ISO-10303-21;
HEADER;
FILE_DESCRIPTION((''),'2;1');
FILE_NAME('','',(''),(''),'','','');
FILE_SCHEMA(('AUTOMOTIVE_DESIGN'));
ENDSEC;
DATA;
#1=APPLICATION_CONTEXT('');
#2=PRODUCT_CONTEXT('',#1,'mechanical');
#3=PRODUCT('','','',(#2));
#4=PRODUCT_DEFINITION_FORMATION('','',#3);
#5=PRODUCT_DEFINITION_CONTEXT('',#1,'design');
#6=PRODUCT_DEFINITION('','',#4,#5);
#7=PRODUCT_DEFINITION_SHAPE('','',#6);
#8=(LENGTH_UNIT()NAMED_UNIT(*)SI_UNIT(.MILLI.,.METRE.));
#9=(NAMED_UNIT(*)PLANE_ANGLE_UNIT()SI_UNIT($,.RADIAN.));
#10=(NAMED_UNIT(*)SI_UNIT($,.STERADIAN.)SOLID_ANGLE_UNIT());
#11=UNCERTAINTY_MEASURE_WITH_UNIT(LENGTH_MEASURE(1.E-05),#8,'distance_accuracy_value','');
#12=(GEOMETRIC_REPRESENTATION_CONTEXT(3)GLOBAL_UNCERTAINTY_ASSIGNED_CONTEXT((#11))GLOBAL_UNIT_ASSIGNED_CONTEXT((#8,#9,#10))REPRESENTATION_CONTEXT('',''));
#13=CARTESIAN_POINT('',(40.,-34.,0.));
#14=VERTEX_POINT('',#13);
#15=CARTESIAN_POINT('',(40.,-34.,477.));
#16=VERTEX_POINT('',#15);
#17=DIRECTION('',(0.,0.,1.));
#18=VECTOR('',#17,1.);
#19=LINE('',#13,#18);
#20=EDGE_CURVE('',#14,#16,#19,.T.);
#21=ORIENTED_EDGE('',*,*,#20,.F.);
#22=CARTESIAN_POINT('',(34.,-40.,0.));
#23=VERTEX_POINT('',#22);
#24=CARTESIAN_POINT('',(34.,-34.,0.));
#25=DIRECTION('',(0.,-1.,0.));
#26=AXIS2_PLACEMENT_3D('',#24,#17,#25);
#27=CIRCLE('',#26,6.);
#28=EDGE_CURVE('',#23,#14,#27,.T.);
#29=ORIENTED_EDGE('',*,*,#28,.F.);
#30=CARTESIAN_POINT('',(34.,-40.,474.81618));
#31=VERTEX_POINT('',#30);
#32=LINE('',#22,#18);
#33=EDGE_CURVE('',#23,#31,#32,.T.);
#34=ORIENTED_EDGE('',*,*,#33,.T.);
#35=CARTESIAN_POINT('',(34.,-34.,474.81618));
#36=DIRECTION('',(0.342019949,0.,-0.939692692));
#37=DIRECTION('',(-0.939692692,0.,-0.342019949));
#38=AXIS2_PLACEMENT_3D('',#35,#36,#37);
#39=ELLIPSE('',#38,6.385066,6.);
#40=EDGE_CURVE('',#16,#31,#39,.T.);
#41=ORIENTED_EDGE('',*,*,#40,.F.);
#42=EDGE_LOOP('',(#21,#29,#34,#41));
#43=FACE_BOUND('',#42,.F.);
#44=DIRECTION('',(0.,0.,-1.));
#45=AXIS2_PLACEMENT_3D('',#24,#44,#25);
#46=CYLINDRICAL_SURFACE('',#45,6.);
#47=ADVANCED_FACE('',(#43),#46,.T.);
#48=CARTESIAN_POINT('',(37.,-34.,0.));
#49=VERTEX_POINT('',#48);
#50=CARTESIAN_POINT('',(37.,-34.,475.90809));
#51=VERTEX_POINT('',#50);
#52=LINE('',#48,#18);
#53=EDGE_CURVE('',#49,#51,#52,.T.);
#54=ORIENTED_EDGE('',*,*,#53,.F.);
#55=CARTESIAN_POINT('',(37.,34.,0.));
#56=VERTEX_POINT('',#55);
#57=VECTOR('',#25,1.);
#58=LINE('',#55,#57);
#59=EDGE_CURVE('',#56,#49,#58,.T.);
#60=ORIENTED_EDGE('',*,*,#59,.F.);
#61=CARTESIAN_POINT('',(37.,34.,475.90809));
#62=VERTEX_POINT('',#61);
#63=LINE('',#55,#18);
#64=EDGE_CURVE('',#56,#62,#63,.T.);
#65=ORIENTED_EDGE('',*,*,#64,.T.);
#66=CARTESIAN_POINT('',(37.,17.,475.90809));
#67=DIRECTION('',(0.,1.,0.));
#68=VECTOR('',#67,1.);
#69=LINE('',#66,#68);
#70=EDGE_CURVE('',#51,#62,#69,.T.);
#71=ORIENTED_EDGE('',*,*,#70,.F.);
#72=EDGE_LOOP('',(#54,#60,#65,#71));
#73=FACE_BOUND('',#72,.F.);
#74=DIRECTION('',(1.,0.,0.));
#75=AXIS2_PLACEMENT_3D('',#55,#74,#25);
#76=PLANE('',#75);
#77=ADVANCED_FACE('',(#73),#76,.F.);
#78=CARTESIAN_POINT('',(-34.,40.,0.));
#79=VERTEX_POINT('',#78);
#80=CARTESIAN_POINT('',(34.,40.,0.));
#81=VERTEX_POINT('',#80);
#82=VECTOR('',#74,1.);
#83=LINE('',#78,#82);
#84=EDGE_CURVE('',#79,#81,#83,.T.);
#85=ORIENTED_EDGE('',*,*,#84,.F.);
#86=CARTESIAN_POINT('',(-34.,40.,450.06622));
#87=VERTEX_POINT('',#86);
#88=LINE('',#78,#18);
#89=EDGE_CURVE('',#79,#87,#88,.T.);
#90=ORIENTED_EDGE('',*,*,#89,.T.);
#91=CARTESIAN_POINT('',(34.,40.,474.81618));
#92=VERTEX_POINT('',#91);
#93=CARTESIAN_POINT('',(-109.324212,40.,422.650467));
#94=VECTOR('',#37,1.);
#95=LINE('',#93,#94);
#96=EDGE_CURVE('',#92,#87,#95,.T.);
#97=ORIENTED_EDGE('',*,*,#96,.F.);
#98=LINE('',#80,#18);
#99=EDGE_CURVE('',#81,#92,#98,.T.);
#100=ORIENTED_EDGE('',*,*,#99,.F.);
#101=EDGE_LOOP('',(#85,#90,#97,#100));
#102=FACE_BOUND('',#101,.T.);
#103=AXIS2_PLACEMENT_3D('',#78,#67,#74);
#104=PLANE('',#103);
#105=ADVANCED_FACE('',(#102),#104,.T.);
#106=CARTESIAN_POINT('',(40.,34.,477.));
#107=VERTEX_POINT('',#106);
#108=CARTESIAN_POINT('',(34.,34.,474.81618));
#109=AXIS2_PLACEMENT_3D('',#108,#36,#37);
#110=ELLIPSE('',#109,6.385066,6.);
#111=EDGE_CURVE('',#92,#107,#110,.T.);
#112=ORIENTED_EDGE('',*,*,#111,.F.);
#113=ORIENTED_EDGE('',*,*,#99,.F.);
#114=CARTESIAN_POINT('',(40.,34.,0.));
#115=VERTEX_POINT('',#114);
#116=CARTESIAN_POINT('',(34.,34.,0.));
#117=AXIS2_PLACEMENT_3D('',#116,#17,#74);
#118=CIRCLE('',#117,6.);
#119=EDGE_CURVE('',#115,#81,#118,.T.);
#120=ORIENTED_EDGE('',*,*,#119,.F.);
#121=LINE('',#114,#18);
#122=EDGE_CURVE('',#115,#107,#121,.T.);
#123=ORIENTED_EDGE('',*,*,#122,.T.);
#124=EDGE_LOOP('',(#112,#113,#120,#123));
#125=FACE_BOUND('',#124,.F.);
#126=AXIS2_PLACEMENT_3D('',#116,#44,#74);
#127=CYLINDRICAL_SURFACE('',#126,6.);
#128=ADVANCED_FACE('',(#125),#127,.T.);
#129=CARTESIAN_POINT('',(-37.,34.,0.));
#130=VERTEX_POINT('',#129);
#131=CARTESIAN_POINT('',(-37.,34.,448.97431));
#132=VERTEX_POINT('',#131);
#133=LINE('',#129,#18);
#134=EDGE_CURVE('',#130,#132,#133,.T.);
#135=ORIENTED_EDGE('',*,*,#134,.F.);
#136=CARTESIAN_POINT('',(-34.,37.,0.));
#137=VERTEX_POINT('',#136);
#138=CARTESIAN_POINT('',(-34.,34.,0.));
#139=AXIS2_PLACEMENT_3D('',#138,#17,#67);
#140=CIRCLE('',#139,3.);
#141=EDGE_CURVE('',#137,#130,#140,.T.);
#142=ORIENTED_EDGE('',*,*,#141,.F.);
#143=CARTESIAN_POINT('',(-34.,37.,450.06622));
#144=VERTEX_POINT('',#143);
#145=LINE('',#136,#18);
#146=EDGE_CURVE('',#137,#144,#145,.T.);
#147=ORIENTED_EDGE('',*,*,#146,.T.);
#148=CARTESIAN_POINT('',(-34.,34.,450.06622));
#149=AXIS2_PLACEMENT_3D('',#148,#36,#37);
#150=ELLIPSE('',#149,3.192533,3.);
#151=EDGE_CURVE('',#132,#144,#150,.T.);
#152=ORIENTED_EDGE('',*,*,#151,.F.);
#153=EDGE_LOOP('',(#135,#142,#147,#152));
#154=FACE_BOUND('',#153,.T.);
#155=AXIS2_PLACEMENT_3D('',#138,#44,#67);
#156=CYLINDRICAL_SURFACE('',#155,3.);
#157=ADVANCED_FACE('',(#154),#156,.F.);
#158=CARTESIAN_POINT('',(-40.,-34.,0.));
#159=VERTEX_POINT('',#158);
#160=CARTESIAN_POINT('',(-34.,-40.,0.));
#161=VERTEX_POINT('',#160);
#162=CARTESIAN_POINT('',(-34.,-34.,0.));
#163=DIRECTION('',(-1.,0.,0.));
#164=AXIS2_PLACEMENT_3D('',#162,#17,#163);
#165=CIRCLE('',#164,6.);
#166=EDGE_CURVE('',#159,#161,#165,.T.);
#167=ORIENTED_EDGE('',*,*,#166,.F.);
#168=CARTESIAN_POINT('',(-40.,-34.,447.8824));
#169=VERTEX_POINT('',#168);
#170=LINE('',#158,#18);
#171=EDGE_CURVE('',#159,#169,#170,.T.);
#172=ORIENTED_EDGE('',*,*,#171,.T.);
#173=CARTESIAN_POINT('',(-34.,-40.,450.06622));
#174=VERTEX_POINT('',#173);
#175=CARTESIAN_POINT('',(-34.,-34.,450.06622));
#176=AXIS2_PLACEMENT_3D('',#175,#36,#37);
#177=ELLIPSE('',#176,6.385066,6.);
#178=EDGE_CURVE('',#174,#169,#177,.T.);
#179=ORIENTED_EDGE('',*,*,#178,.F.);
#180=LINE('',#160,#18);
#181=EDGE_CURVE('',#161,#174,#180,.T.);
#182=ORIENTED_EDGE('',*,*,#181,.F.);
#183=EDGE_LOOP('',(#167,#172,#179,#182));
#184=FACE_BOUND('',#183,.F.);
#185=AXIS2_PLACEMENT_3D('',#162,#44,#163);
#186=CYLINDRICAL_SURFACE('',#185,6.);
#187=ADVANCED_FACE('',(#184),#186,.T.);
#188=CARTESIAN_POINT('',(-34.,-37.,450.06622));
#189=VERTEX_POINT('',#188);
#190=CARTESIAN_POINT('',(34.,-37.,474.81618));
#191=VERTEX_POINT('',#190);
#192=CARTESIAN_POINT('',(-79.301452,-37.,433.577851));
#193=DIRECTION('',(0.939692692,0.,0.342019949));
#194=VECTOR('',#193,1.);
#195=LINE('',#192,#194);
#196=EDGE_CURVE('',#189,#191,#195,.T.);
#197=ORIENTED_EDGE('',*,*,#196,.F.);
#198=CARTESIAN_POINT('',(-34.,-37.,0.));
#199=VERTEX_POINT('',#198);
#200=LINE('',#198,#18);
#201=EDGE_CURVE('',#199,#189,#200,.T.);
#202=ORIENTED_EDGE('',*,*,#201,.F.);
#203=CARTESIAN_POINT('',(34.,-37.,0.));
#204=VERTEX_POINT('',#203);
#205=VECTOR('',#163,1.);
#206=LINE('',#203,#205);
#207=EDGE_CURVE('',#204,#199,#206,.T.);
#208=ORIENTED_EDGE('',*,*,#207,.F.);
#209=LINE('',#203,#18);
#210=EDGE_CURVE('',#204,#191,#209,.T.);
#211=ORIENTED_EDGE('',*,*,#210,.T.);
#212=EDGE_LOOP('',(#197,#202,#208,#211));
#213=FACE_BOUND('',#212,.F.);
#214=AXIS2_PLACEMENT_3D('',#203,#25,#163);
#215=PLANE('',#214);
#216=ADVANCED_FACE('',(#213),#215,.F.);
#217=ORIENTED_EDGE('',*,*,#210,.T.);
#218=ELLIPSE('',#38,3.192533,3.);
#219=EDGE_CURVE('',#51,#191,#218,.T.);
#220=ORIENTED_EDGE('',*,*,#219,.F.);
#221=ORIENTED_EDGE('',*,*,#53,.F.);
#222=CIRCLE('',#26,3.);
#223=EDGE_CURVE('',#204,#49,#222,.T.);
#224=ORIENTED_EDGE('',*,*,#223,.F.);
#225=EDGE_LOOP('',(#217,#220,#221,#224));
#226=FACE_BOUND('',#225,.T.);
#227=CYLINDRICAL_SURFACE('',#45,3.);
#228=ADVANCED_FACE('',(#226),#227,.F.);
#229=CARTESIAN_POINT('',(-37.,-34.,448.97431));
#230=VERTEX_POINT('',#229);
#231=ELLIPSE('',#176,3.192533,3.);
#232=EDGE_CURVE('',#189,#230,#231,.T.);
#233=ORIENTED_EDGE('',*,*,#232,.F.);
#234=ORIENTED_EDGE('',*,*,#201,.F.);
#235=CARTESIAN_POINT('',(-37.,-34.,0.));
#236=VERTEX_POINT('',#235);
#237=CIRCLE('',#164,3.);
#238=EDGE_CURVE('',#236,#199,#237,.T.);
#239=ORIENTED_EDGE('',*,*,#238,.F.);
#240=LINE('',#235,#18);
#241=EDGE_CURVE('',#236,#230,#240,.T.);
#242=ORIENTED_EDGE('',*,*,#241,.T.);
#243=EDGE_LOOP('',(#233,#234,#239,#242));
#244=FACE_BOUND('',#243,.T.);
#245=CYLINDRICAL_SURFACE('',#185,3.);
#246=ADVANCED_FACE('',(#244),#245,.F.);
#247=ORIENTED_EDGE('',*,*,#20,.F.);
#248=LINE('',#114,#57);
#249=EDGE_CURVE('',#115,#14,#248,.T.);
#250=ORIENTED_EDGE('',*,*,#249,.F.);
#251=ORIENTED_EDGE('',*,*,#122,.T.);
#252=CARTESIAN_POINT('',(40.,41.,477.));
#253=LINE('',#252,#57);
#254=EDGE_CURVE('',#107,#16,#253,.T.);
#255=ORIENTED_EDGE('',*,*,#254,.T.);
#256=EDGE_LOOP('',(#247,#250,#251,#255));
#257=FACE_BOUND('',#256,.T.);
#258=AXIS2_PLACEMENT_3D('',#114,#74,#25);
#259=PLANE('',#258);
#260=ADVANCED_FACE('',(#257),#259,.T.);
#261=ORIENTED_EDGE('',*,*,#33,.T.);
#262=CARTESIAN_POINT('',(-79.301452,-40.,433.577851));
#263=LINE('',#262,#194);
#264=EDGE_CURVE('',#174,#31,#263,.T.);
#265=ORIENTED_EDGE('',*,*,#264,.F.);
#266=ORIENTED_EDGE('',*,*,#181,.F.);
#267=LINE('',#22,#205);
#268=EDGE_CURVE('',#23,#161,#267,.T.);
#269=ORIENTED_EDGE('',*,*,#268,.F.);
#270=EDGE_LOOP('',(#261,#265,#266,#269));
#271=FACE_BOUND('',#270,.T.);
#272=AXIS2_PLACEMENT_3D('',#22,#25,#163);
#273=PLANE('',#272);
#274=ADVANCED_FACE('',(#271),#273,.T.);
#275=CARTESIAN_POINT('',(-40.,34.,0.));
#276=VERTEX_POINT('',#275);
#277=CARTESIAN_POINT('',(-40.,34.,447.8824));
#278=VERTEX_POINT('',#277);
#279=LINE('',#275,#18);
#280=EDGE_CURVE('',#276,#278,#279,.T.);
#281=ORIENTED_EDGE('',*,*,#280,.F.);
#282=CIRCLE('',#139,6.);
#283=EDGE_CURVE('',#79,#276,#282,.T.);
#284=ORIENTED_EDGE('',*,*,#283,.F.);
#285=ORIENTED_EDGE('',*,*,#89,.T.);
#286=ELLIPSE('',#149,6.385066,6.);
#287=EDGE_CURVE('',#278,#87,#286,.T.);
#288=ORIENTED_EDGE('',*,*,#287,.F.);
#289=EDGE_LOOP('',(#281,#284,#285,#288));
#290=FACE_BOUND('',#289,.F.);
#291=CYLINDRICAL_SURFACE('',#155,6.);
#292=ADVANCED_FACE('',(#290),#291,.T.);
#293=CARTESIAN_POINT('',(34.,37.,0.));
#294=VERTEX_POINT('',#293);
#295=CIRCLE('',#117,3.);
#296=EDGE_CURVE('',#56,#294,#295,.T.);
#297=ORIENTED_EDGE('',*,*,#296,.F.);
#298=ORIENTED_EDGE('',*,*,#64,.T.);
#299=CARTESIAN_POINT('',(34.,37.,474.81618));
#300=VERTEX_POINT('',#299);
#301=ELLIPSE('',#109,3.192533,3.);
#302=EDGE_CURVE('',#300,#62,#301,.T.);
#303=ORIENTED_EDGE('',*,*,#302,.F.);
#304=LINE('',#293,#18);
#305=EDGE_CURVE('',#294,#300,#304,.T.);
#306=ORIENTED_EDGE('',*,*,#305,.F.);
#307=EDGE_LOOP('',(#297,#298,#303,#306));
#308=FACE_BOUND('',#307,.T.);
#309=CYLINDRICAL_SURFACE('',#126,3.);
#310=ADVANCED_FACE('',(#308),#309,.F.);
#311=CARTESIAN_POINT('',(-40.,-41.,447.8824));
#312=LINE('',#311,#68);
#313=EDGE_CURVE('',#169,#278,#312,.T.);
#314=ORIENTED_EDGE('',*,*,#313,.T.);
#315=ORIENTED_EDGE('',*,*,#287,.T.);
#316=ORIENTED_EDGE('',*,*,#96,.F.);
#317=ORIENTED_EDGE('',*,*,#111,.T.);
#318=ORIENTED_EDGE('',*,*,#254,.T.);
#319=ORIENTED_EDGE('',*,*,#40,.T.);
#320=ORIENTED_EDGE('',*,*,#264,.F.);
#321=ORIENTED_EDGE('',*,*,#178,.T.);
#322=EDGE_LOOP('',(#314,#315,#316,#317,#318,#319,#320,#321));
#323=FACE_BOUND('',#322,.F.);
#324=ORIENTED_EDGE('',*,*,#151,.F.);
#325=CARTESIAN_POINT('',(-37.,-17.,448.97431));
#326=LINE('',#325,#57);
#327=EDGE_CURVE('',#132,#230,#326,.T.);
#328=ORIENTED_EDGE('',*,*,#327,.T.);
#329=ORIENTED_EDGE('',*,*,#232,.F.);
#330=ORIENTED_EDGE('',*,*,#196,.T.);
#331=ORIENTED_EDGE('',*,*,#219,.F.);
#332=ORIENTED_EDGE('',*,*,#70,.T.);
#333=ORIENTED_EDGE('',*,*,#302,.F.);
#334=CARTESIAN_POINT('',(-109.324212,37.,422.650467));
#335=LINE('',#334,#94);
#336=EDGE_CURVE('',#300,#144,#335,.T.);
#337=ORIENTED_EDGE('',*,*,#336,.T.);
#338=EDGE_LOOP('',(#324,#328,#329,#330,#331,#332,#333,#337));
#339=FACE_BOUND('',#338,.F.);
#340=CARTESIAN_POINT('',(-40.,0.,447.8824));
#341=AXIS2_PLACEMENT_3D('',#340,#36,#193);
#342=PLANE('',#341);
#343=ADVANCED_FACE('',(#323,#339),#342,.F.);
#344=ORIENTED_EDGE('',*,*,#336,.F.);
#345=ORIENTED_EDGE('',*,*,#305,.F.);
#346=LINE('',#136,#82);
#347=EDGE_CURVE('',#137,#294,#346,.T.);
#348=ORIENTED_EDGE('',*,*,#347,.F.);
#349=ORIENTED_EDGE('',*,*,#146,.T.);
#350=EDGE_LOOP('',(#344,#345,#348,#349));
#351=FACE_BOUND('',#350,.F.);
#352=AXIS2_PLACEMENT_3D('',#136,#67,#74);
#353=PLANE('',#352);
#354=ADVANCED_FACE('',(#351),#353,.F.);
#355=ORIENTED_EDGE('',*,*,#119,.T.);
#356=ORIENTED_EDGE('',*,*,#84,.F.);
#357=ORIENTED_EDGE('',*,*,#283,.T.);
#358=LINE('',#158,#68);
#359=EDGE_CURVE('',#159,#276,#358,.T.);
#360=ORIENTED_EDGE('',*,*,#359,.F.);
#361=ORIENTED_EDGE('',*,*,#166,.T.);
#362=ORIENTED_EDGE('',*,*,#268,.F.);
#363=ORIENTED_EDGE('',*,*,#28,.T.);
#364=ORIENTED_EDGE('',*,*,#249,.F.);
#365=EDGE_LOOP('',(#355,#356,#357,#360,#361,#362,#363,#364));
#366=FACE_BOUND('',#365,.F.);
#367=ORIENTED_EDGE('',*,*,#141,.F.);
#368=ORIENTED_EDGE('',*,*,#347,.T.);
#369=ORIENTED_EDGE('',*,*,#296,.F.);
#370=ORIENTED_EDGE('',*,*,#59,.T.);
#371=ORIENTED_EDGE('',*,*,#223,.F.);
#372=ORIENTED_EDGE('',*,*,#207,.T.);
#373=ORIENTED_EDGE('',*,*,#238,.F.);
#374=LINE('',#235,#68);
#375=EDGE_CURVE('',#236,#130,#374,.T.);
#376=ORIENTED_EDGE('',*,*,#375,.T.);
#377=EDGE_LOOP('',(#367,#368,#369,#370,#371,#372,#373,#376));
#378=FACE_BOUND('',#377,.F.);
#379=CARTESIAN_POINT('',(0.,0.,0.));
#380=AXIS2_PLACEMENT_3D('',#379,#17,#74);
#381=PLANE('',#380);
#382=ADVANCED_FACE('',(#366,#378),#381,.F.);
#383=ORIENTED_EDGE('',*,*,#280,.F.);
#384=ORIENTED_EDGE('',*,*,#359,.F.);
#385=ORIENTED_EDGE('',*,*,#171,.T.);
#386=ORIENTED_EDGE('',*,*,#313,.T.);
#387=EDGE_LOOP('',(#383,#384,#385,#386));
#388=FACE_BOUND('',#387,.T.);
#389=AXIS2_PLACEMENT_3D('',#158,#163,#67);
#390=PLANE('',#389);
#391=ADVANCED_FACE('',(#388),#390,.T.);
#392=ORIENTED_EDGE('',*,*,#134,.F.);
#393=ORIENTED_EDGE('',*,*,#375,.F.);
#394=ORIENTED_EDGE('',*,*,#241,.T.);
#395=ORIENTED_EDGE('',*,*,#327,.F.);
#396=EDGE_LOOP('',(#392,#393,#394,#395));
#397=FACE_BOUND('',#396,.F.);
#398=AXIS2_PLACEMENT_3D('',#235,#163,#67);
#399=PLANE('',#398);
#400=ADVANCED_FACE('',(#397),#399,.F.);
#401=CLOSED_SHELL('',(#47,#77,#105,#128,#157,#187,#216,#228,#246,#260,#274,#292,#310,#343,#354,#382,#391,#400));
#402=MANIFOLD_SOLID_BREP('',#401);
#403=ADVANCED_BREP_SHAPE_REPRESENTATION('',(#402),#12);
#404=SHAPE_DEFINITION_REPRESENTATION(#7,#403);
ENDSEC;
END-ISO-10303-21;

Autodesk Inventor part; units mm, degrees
ref_plane "YZ Plane" through (0, 0, 0) normal (1, 0, 0) x (0, 1, 0)
ref_plane "Start plane" through (0, 0, 0) normal (0, 0, 1) x (1, 0, 0)
ref_plane "End plane" through (0, 0, 1000) normal (0, 0, 1) x (1, 0, 0)
sketch "Sketch" plane through (0, 0, 0) normal (0, 0, 1) x (1, 0, 0)
  line L0 (-40, -34) -> (-40, 34)
  line L1 (-34, 40) -> (34, 40)
  line L2 (40, 34) -> (40, -34)
  line L3 (34, -40) -> (-34, -40)
  arc A0 (-40, -34) -> (-34, -40) centre (-34, -34) ccw
  arc A1 (40, 34) -> (34, 40) centre (34, 34) ccw
  arc A2 (-34, 40) -> (-40, 34) centre (-34, 34) ccw
  arc A3 (34, -40) -> (40, -34) centre (34, -34) ccw
  arc A4 (-34, 37) -> (-37, 34) centre (-34, 34) ccw
  line L4 (-34, 37) -> (34, 37)
  arc A5 (37, 34) -> (34, 37) centre (34, 34) ccw
  line L5 (37, 34) -> (37, -34)
  arc A6 (34, -37) -> (37, -34) centre (34, -34) ccw
  line L6 (34, -37) -> (-34, -37)
  arc A7 (-37, -34) -> (-34, -37) centre (-34, -34) ccw
  line L7 (-37, -34) -> (-37, 34)
  line L8 (0, 57.7397) -> (0, -57.7397) construction
  line L9 (-1453.6197, 0) -> (290.3864, 0) construction
  dimension "d7" = 6
  dimension "d9" = 80
  dimension "d11" = 80
  dimension "d12" = 3
  dimension "d15" = 40
  dimension "d16" = 40
extrude "Body" add sketch "Sketch" along normal up to surface (1000 mm away) from surface at 0
sketch "Sketch3" plane through (0, 0, 0) normal (0, 0, 1) x (1, 0, 0)
  line L0 (0, 0) -> (10, 0)
ref_plane "Work Plane3" through (0, 0, 0) normal (0, -1, 0) x (1, 0, 0)
sketch "Sketch5" plane through (0, 0, 0) normal (0, 1, 0) x (-1, 0, 0)
  line L0 (-40, 0) -> (-40, 1000) projected
  line L1 (40, 0) -> (40, 1000) projected
  line L2 (40, 0) -> (40, 1000) projected
  line L3 (40, 458.04) -> (415, 458.04) construction
  line L4 (-5.663, 479.3796) -> (835.663, 479.3796) construction
  arc A0 (-5.663, 479.3796) -> (415, 380) centre (415, 1320) ccw construction
  line L5 (-55, 559.2385) -> (885, 559.2385) construction
  arc A1 (-55, 559.2385) -> (-5.663, 479.3796) centre (34.3, 559.2385) ccw construction
  arc A2 (835.663, 479.3796) -> (885, 559.2385) centre (795.7, 559.2385) ccw
  line L6 (-55, 559.2385) -> (-55, 599.2385)
  line L7 (885, 559.2385) -> (885, 599.2385)
  line L8 (-55, 599.2385) -> (415, 599.2385) construction
  line L9 (415, 599.2385) -> (415, 0)
  arc A3 (415, 380) -> (835.663, 479.3796) centre (415, 1320) ccw
  line L10 (415, 599.2385) -> (885, 599.2385)
  point P0 (0, 0)
  dimension "d22" = 375
  dimension "d24" = 940
  dimension "d25" = 89.3
  dimension "d26" = 40
  dimension "d27" = 940
  dimension "d28" = 380
  dimension "d30" = 458.04
sketch "Sketch6" plane through (0, 0, 0) normal (0, 1, 0) x (-1, 0, 0)
  line L0 (40, 0) -> (40, 1000) projected
  line L1 (40, 0) -> (40, 1000) projected
  line L2 (-40, 0) -> (-40, 1000) projected
  line L3 (-40, 0) -> (-40, 1000) projected
  line L4 (34, 1000) -> (40, 1000) projected
  line L5 (40, 1000) -> (-40, 1000)
  arc A0 (-5.663, 479.3796) -> (415, 380) centre (415, 1320) ccw construction
  line L6 (40, 447.8824) -> (-40, 477)
  point P0 (0, 0)
  dimension "d34" = 110
  dimension "d36" = 477
extrude "Extrusion2" cut sketch "Sketch6" along normal through all both and the other way through all
sketch "Sketch4" plane through (0, 0, 0) normal (0, -1, 0) x (1, 0, 0)
  line L0 (-1453.3712, 0) -> (288.8952, 0) projected
  line L1 (-1453.3712, 1000) -> (288.8952, 1000) projected
  dimension "d18" = 1000
equation "\"d7\" = G_IR"
equation "\"d9\" = G_W"
equation "\"d11\" = G_H"
equation "\"d12\" = G_T"
equation "\"d15\" = 0.5 * d9"
equation "\"d16\" = 0.5 * d11"
equation "\"d3\" = G_L"
equation "\"d22\" = 0.5 * Diam_of_legs_center"
equation "\"d24\" = d27"
equation "\"d25\" = 0.095 * d27"
equation "\"d27\" = MAIN_filter_diam"
equation "\"G_W\" = 80"
equation "\"G_H\" = 80"
equation "\"G_T\" = 3"
equation "\"G_IR\" = 6"
equation "\"G_L\" = d18"
equation "\"G_OFFSET_START\" = 0"
equation "\"G_OFFSET_END\" = 0"
equation "\"MAIN_filter_diam\" = 940"
equation "\"Diam_of_legs_center\" = 750"
properties part number "SLM 1692 Leg tube" material "Steel, Mild"
